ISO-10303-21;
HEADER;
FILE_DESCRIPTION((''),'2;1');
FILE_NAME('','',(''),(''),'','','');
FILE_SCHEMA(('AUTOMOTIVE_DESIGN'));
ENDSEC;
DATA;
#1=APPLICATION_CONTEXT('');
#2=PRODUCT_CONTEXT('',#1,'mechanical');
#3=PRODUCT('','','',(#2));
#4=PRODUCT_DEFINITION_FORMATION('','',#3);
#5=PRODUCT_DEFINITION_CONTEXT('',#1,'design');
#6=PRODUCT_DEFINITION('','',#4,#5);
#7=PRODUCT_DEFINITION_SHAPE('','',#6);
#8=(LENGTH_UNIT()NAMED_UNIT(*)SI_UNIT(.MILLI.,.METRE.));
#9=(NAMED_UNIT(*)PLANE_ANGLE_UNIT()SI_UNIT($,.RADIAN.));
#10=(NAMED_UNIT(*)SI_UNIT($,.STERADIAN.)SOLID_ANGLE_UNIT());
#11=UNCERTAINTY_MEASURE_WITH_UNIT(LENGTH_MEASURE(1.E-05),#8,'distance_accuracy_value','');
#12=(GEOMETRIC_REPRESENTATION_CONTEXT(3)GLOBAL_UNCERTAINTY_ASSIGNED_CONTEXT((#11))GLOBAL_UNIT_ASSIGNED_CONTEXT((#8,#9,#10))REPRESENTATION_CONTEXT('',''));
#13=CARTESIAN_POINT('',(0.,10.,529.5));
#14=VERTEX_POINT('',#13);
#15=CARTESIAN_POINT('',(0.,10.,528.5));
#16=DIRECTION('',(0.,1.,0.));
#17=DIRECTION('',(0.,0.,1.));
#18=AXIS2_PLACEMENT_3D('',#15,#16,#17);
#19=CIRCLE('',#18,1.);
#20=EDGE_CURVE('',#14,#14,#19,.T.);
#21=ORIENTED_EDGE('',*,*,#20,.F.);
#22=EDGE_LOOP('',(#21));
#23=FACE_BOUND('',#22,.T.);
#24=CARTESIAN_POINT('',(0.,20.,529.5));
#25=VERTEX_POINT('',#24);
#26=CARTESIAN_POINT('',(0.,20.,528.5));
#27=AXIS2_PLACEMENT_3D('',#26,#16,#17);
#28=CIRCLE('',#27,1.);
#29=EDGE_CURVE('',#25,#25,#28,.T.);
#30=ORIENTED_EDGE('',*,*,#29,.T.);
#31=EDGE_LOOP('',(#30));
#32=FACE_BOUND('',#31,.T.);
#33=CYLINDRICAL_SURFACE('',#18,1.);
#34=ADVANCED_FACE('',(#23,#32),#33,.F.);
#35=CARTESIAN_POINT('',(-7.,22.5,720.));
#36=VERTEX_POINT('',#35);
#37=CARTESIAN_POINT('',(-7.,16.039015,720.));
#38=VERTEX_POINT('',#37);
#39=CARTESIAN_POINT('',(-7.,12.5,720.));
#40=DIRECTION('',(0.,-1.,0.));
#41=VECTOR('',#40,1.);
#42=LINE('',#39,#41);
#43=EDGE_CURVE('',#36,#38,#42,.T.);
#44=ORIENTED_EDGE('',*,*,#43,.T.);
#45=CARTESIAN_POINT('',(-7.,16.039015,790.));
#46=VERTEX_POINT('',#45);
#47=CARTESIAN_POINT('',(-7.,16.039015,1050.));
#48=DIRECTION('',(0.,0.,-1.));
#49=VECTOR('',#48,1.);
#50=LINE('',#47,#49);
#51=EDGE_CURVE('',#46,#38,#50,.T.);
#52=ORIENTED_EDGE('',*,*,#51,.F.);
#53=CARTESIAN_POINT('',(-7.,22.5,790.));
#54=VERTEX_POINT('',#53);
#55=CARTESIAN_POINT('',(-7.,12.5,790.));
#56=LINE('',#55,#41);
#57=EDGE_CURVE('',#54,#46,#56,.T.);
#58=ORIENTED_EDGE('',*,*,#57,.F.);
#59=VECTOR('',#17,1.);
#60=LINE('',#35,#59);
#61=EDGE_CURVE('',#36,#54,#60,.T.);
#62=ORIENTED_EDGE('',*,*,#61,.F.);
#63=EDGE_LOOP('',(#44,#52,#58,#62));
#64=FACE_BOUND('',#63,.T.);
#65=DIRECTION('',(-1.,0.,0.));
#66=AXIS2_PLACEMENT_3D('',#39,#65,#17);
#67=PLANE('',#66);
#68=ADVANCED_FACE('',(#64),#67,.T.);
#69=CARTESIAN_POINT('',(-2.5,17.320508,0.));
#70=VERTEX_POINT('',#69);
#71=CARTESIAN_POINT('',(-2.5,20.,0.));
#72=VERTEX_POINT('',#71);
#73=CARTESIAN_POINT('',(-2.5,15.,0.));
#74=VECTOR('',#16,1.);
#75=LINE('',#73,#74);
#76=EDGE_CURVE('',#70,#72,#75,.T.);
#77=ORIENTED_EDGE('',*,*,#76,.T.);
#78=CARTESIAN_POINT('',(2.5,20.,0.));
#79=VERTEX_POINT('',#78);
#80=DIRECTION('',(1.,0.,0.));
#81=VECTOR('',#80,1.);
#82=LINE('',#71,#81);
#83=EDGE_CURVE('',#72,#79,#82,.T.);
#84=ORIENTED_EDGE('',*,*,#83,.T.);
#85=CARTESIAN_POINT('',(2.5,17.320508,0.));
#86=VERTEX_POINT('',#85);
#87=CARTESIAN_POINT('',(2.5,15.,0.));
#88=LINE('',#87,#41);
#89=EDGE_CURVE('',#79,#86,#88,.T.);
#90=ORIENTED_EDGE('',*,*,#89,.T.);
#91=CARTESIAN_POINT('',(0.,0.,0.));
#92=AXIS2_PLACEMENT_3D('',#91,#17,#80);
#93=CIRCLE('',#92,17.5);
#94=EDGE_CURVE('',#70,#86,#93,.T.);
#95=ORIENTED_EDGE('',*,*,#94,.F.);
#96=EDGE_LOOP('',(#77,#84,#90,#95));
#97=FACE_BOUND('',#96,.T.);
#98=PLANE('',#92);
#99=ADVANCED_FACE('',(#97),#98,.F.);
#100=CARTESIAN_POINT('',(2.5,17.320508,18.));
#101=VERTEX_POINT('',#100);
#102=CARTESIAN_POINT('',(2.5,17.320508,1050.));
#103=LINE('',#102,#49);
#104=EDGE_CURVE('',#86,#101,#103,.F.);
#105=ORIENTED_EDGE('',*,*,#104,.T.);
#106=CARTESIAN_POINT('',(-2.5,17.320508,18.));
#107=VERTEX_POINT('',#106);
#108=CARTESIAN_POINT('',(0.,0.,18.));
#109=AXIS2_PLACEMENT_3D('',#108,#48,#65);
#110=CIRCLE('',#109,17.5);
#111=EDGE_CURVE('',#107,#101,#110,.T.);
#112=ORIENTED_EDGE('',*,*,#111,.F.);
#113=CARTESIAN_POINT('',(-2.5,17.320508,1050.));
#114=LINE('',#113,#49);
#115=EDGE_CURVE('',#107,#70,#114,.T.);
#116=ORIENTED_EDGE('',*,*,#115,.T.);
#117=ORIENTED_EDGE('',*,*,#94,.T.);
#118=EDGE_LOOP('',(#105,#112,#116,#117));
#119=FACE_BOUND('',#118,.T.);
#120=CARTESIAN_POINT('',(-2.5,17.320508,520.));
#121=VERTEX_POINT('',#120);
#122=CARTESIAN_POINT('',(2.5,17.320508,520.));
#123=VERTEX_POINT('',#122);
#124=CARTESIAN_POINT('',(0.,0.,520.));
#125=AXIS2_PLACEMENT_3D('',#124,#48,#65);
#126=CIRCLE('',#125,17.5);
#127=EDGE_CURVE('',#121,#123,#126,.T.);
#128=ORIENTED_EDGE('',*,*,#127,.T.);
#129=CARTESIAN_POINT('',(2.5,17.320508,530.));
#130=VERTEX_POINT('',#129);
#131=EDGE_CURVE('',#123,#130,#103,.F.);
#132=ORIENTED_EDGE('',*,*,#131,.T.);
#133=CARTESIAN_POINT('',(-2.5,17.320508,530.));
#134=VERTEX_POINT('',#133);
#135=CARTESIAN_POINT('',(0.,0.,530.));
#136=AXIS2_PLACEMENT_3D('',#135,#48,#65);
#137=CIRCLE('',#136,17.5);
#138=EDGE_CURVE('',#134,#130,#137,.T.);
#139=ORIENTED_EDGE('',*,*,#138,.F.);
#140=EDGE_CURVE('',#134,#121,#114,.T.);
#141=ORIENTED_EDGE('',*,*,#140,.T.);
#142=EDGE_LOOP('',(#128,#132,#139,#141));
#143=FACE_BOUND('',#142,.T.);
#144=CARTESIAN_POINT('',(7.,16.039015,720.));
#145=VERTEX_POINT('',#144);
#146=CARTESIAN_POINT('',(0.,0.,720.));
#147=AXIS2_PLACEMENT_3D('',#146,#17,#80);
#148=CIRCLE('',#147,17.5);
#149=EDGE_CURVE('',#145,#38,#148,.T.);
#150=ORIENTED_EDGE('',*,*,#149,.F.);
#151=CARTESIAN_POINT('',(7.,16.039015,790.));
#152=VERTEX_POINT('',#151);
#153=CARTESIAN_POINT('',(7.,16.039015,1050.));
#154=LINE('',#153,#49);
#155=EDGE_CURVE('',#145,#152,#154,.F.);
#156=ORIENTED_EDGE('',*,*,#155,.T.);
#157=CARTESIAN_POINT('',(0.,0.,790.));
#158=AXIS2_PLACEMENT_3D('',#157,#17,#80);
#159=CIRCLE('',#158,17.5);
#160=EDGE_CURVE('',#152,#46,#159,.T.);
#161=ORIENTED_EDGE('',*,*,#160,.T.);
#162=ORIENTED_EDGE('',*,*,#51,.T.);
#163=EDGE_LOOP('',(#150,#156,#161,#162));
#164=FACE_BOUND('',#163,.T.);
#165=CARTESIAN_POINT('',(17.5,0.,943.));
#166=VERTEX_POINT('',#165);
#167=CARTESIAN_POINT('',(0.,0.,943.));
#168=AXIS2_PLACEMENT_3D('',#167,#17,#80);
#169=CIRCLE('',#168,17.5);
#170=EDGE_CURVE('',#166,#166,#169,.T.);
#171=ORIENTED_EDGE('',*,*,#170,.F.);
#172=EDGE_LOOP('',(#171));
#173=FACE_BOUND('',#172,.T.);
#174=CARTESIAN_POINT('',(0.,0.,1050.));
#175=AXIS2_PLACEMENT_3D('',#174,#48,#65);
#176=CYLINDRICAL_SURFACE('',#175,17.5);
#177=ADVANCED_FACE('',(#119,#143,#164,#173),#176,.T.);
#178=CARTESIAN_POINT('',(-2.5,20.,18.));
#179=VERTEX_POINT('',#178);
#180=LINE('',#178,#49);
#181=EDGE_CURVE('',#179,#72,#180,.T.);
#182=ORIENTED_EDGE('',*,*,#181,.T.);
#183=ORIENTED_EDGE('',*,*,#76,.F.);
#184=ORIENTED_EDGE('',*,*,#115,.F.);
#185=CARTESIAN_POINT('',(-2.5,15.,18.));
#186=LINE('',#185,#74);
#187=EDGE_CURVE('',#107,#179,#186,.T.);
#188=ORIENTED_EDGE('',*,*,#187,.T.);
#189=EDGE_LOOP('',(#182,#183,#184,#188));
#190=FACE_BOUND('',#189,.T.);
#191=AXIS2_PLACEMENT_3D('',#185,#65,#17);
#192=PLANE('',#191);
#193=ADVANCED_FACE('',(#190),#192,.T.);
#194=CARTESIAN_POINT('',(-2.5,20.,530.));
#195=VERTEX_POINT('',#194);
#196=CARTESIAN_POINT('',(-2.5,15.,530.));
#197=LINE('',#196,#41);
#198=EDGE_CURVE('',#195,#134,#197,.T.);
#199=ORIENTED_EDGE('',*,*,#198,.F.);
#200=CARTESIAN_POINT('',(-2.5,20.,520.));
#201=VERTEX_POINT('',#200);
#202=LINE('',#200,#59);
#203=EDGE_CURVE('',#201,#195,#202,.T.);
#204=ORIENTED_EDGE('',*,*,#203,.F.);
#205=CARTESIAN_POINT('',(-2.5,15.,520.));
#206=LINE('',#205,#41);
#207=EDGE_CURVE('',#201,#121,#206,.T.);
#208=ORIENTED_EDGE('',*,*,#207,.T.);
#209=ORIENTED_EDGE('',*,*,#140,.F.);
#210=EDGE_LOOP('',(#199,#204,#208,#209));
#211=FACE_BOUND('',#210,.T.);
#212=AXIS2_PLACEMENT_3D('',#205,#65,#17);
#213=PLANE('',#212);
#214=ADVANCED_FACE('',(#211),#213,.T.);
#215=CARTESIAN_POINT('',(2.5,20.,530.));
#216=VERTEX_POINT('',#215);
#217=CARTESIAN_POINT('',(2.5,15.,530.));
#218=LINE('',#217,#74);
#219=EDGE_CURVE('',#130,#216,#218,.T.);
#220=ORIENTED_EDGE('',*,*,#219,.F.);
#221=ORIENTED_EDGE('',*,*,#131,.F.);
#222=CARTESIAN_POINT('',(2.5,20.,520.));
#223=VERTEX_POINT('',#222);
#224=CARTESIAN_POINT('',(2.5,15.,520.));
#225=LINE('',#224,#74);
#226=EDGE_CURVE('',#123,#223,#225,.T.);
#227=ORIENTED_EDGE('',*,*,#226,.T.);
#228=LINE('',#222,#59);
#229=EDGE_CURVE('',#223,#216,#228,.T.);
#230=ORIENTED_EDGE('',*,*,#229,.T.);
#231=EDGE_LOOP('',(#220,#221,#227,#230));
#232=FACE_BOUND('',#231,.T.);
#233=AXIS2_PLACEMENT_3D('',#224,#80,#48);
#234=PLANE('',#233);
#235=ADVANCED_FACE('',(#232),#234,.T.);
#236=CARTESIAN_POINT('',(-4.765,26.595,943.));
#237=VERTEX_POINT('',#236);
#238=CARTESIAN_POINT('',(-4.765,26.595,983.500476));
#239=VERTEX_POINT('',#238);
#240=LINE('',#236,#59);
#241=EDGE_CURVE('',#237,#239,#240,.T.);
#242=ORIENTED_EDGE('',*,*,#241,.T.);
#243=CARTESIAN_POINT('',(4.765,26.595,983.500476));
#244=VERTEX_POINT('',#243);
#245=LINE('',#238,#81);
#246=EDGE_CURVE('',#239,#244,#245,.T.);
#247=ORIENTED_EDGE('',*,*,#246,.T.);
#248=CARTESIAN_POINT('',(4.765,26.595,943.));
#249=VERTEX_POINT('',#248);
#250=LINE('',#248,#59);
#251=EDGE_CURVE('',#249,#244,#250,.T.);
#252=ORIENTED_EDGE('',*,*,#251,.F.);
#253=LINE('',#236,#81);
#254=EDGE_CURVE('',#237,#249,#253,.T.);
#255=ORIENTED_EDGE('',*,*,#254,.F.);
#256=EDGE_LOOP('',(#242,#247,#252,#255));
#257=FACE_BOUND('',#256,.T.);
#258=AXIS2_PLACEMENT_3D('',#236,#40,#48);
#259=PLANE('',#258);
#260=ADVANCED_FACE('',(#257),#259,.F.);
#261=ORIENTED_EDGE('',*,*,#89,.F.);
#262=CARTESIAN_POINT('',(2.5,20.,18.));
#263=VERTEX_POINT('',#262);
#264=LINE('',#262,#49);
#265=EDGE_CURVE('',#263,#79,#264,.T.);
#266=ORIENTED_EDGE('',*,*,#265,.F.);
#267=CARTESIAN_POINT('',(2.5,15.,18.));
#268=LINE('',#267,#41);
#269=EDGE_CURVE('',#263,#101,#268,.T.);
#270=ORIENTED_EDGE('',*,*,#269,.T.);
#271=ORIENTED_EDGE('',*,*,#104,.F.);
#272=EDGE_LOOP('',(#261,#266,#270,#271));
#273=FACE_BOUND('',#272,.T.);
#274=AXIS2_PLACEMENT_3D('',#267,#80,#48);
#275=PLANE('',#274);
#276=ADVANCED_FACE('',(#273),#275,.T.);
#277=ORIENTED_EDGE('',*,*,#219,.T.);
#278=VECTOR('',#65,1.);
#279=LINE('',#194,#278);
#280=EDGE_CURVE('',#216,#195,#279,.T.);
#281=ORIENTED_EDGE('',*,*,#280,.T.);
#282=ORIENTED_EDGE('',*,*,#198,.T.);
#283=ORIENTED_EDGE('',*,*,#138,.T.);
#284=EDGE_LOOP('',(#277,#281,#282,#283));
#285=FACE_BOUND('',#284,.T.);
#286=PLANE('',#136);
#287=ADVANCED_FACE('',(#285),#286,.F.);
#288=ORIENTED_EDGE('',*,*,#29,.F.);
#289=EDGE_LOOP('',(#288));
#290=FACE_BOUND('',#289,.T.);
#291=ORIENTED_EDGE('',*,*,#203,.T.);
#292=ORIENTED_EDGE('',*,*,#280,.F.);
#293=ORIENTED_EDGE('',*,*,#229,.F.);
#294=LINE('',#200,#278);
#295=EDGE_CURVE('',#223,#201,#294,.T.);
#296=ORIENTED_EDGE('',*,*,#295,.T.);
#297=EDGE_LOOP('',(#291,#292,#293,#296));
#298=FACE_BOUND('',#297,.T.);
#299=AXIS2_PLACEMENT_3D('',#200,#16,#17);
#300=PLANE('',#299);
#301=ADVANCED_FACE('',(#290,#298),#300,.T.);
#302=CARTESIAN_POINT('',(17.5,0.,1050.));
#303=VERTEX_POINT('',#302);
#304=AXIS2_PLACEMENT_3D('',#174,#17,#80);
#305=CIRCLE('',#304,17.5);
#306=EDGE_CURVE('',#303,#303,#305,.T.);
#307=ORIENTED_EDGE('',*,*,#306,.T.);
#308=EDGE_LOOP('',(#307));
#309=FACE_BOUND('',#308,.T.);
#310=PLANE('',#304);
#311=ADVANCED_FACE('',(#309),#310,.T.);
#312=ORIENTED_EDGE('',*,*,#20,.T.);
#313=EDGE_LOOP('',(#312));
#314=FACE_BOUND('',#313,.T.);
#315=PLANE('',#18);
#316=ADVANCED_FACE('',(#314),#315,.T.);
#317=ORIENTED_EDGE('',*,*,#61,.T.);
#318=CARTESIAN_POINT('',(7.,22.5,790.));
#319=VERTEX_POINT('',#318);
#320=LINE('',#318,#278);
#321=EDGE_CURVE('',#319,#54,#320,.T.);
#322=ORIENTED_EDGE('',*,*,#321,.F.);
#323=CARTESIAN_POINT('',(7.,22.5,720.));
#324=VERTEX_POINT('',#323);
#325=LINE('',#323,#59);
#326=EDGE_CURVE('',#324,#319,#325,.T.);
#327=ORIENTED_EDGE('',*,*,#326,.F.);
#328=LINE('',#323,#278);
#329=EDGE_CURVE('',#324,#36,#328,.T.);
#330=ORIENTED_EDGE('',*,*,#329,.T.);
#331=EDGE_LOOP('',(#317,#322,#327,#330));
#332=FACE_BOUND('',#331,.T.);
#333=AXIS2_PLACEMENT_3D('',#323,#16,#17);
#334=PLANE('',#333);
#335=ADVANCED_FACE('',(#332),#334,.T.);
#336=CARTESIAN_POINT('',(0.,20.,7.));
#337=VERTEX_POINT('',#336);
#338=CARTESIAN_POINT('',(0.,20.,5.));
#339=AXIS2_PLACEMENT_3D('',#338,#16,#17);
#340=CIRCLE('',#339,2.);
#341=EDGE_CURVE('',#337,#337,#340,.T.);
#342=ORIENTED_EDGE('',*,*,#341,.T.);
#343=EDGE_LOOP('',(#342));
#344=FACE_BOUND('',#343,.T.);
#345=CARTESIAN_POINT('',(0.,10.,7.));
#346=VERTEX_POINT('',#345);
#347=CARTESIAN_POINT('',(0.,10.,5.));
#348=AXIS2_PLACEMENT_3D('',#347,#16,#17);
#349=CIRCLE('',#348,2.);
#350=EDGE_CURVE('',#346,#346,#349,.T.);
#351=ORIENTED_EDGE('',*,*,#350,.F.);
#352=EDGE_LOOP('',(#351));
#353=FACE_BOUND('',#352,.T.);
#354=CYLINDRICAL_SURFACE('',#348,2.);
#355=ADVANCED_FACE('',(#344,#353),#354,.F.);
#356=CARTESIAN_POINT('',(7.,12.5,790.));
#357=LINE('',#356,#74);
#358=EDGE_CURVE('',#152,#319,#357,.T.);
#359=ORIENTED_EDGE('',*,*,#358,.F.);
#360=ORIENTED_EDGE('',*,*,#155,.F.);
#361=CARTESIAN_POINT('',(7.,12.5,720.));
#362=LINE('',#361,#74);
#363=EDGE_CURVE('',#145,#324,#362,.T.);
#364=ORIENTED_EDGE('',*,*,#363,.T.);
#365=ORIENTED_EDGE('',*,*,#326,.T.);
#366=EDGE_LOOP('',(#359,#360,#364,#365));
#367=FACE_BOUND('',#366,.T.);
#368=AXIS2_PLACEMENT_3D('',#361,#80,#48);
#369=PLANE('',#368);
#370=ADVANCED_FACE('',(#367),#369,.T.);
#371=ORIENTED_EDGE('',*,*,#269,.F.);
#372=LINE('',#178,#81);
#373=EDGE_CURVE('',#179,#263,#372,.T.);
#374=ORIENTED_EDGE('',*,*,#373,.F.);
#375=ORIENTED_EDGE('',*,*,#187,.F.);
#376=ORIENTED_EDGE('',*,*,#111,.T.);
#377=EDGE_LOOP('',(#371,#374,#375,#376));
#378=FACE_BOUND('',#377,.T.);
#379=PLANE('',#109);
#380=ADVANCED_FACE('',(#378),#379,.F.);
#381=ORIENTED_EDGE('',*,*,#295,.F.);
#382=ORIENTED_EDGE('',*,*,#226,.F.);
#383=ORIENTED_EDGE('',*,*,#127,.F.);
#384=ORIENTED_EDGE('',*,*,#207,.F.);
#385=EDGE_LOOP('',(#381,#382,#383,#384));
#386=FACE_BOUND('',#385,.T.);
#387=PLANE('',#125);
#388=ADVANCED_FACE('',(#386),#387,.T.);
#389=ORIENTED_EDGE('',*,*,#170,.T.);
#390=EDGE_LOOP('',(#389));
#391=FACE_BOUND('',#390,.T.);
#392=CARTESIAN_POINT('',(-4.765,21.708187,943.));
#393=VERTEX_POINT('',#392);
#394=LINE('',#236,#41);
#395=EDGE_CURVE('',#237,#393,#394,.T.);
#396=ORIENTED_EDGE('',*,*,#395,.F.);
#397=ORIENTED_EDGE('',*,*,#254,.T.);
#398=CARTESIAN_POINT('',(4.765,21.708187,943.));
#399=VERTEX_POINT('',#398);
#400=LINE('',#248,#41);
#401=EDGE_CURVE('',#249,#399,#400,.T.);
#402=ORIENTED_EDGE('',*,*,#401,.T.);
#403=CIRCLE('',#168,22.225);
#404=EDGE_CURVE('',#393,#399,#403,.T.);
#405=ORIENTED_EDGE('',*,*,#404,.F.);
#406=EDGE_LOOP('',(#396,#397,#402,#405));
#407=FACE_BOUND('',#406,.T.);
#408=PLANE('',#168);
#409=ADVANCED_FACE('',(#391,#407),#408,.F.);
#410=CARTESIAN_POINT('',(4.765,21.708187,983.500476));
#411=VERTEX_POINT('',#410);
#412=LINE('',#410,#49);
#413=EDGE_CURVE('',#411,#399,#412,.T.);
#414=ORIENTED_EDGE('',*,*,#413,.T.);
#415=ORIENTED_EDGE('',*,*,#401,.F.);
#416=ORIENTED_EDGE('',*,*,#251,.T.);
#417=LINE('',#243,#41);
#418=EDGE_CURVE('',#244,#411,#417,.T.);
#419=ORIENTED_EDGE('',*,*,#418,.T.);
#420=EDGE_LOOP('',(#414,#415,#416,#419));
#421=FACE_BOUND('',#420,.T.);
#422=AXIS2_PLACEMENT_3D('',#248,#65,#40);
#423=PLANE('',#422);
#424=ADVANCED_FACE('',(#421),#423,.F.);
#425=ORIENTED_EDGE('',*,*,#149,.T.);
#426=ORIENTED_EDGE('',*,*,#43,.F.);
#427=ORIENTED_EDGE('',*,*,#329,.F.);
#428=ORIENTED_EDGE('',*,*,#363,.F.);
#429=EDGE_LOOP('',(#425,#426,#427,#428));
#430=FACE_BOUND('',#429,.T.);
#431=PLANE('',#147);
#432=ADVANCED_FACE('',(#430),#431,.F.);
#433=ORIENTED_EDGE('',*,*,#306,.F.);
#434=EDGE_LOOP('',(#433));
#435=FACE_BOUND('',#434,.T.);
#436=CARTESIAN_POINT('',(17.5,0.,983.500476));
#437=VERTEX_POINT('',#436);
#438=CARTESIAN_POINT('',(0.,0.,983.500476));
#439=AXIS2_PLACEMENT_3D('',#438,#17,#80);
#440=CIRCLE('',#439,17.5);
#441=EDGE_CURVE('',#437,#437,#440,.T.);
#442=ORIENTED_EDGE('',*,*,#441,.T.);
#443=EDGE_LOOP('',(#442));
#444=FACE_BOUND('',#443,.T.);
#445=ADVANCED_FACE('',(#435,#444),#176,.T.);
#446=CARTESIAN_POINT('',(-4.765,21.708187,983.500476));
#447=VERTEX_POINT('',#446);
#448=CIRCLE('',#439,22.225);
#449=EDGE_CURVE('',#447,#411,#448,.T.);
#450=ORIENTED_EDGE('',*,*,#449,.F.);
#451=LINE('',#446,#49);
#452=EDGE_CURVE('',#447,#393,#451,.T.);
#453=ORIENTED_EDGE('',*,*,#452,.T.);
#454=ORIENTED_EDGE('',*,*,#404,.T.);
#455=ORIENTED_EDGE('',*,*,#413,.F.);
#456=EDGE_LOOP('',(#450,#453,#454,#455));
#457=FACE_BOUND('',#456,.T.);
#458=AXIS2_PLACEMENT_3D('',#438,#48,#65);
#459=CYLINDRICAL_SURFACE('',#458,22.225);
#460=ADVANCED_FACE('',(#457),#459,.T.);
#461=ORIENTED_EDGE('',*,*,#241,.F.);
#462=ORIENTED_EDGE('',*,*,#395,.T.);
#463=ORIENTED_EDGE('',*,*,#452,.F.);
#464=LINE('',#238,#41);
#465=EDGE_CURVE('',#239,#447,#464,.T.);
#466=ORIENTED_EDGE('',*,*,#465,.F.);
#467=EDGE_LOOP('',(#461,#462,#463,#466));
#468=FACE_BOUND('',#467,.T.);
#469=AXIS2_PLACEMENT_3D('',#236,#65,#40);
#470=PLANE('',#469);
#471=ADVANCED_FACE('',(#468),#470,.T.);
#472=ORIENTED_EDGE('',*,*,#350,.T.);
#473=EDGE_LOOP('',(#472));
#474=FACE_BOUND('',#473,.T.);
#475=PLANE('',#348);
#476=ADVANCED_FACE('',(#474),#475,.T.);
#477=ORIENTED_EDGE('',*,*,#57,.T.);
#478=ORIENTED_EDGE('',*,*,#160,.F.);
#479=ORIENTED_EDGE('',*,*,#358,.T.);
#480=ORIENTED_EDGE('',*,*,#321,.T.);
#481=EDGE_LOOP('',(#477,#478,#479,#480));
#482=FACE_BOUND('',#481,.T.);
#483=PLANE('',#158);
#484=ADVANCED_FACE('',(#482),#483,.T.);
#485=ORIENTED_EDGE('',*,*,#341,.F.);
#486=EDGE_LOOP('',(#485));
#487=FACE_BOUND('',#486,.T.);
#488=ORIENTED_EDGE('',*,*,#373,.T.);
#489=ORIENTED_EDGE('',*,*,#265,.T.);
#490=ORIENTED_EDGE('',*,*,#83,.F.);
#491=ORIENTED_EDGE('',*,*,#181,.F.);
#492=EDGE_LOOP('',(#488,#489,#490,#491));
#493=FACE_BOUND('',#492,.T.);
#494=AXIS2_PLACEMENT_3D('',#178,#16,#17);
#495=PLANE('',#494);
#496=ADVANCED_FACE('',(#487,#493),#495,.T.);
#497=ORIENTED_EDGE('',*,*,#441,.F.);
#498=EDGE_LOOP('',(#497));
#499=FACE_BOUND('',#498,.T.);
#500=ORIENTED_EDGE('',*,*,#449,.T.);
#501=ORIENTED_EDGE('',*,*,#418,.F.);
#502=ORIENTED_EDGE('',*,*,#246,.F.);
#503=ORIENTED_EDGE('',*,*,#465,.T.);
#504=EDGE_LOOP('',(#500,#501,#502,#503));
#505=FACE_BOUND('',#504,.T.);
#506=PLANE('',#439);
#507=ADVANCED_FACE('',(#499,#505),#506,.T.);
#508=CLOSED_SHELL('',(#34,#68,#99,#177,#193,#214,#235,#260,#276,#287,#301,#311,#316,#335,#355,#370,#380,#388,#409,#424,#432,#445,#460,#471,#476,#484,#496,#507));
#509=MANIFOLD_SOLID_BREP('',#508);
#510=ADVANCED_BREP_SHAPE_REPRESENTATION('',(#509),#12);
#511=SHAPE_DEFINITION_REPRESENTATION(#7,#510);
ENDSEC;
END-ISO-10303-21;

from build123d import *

# Parameters (mm, degrees)
SKETCH1_R                = 17.5
BOSS_EXTRUDE1_DEPTH      = 1050
BOSS_EXTRUDE2_DEPTH      = 5
BOSS_EXTRUDE2_DEPTH_BACK = 5
SKETCH2_W                = 5
SKETCH2_H                = 5
BOSS_EXTRUDE3_START      = -40.50047623
SKETCH5_R                = 17.5
SKETCH5_R_2              = 11.1125
BOSS_EXTRUDE3_DEPTH      = 40.50047623
SKETCH7_R                = 22.225
BOSS_EXTRUDE4_DEPTH      = 40.50047623
SKETCH11_W               = 9.53
SKETCH11_H               = 8.74
BOSS_EXTRUDE5_DEPTH      = 40.50047623
SKETCH12_W               = 5
SKETCH12_H               = 5
BOSS_EXTRUDE6_DEPTH      = 18
SKETCH13_R               = 2
CUT_EXTRUDE1_DEPTH       = 10
SKETCH15_R               = 1
CUT_EXTRUDE3_DEPTH       = 10
SKETCH16_W               = 14
SKETCH16_H               = 10
BOSS_EXTRUDE7_DEPTH      = 70


with BuildPart() as part:
    # Sketch1 → Boss-Extrude1 (new body)
    with BuildSketch(Plane.XY):
        Circle(SKETCH1_R)
    extrude(amount=BOSS_EXTRUDE1_DEPTH)

    # Sketch2 → Boss-Extrude2 (add, two sides: drawn at the far end of the back side and taken through both)
    with BuildSketch(Plane.XY.offset(525).offset(-BOSS_EXTRUDE2_DEPTH_BACK)):
        with Locations((0, 17.5)):
            Rectangle(SKETCH2_W, SKETCH2_H)
    extrude(amount=BOSS_EXTRUDE2_DEPTH + BOSS_EXTRUDE2_DEPTH_BACK)

    # Sketch5 → Boss-Extrude3 (add)
    with BuildSketch(Plane.XY.offset(1050).offset(BOSS_EXTRUDE3_START)):
        Circle(SKETCH5_R)
        Circle(SKETCH5_R_2, mode=Mode.SUBTRACT)
    extrude(amount=BOSS_EXTRUDE3_DEPTH)

    # Sketch7 → Boss-Extrude4 (add)
    with BuildSketch(Plane.XY.offset(943)):
        Circle(SKETCH7_R)
    extrude(amount=BOSS_EXTRUDE4_DEPTH)

    # Sketch11 → Boss-Extrude5 (add)
    with BuildSketch(Plane.XY.offset(983.50047623)):
        with Locations((0, 22.225)):
            Rectangle(SKETCH11_W, SKETCH11_H)
    extrude(amount=-BOSS_EXTRUDE5_DEPTH)

    # Sketch12 → Boss-Extrude6 (add)
    with BuildSketch(Plane(origin=(0, 0, 0), x_dir=(-1, 0, 0), z_dir=(0, 0, -1))):
        with Locations((0, 17.5)):
            Rectangle(SKETCH12_W, SKETCH12_H)
    extrude(amount=-BOSS_EXTRUDE6_DEPTH)

    # Sketch13 → Cut-Extrude1 (cut)
    with BuildSketch(Plane(origin=(0, 20, 0), x_dir=(1, 0, 0), z_dir=(0, 1, 0))):
        with Locations(Location((0, -5, 0), (0, 0, 270))):
            Circle(SKETCH13_R)
    extrude(amount=-CUT_EXTRUDE1_DEPTH, mode=Mode.SUBTRACT)

    # Sketch15 → Cut-Extrude3 (cut)
    with BuildSketch(Plane(origin=(0, 20, 0), x_dir=(1, 0, 0), z_dir=(0, 1, 0))):
        with Locations(Location((0, -528.5, 0), (0, 0, 270))):
            Circle(SKETCH15_R)
    extrude(amount=-CUT_EXTRUDE3_DEPTH, mode=Mode.SUBTRACT)

    # Sketch16 → Boss-Extrude7 (add)
    with BuildSketch(Plane.XY.offset(790)):
        with Locations((0, 17.5)):
            Rectangle(SKETCH16_W, SKETCH16_H)
    extrude(amount=-BOSS_EXTRUDE7_DEPTH)


solid = part.part
